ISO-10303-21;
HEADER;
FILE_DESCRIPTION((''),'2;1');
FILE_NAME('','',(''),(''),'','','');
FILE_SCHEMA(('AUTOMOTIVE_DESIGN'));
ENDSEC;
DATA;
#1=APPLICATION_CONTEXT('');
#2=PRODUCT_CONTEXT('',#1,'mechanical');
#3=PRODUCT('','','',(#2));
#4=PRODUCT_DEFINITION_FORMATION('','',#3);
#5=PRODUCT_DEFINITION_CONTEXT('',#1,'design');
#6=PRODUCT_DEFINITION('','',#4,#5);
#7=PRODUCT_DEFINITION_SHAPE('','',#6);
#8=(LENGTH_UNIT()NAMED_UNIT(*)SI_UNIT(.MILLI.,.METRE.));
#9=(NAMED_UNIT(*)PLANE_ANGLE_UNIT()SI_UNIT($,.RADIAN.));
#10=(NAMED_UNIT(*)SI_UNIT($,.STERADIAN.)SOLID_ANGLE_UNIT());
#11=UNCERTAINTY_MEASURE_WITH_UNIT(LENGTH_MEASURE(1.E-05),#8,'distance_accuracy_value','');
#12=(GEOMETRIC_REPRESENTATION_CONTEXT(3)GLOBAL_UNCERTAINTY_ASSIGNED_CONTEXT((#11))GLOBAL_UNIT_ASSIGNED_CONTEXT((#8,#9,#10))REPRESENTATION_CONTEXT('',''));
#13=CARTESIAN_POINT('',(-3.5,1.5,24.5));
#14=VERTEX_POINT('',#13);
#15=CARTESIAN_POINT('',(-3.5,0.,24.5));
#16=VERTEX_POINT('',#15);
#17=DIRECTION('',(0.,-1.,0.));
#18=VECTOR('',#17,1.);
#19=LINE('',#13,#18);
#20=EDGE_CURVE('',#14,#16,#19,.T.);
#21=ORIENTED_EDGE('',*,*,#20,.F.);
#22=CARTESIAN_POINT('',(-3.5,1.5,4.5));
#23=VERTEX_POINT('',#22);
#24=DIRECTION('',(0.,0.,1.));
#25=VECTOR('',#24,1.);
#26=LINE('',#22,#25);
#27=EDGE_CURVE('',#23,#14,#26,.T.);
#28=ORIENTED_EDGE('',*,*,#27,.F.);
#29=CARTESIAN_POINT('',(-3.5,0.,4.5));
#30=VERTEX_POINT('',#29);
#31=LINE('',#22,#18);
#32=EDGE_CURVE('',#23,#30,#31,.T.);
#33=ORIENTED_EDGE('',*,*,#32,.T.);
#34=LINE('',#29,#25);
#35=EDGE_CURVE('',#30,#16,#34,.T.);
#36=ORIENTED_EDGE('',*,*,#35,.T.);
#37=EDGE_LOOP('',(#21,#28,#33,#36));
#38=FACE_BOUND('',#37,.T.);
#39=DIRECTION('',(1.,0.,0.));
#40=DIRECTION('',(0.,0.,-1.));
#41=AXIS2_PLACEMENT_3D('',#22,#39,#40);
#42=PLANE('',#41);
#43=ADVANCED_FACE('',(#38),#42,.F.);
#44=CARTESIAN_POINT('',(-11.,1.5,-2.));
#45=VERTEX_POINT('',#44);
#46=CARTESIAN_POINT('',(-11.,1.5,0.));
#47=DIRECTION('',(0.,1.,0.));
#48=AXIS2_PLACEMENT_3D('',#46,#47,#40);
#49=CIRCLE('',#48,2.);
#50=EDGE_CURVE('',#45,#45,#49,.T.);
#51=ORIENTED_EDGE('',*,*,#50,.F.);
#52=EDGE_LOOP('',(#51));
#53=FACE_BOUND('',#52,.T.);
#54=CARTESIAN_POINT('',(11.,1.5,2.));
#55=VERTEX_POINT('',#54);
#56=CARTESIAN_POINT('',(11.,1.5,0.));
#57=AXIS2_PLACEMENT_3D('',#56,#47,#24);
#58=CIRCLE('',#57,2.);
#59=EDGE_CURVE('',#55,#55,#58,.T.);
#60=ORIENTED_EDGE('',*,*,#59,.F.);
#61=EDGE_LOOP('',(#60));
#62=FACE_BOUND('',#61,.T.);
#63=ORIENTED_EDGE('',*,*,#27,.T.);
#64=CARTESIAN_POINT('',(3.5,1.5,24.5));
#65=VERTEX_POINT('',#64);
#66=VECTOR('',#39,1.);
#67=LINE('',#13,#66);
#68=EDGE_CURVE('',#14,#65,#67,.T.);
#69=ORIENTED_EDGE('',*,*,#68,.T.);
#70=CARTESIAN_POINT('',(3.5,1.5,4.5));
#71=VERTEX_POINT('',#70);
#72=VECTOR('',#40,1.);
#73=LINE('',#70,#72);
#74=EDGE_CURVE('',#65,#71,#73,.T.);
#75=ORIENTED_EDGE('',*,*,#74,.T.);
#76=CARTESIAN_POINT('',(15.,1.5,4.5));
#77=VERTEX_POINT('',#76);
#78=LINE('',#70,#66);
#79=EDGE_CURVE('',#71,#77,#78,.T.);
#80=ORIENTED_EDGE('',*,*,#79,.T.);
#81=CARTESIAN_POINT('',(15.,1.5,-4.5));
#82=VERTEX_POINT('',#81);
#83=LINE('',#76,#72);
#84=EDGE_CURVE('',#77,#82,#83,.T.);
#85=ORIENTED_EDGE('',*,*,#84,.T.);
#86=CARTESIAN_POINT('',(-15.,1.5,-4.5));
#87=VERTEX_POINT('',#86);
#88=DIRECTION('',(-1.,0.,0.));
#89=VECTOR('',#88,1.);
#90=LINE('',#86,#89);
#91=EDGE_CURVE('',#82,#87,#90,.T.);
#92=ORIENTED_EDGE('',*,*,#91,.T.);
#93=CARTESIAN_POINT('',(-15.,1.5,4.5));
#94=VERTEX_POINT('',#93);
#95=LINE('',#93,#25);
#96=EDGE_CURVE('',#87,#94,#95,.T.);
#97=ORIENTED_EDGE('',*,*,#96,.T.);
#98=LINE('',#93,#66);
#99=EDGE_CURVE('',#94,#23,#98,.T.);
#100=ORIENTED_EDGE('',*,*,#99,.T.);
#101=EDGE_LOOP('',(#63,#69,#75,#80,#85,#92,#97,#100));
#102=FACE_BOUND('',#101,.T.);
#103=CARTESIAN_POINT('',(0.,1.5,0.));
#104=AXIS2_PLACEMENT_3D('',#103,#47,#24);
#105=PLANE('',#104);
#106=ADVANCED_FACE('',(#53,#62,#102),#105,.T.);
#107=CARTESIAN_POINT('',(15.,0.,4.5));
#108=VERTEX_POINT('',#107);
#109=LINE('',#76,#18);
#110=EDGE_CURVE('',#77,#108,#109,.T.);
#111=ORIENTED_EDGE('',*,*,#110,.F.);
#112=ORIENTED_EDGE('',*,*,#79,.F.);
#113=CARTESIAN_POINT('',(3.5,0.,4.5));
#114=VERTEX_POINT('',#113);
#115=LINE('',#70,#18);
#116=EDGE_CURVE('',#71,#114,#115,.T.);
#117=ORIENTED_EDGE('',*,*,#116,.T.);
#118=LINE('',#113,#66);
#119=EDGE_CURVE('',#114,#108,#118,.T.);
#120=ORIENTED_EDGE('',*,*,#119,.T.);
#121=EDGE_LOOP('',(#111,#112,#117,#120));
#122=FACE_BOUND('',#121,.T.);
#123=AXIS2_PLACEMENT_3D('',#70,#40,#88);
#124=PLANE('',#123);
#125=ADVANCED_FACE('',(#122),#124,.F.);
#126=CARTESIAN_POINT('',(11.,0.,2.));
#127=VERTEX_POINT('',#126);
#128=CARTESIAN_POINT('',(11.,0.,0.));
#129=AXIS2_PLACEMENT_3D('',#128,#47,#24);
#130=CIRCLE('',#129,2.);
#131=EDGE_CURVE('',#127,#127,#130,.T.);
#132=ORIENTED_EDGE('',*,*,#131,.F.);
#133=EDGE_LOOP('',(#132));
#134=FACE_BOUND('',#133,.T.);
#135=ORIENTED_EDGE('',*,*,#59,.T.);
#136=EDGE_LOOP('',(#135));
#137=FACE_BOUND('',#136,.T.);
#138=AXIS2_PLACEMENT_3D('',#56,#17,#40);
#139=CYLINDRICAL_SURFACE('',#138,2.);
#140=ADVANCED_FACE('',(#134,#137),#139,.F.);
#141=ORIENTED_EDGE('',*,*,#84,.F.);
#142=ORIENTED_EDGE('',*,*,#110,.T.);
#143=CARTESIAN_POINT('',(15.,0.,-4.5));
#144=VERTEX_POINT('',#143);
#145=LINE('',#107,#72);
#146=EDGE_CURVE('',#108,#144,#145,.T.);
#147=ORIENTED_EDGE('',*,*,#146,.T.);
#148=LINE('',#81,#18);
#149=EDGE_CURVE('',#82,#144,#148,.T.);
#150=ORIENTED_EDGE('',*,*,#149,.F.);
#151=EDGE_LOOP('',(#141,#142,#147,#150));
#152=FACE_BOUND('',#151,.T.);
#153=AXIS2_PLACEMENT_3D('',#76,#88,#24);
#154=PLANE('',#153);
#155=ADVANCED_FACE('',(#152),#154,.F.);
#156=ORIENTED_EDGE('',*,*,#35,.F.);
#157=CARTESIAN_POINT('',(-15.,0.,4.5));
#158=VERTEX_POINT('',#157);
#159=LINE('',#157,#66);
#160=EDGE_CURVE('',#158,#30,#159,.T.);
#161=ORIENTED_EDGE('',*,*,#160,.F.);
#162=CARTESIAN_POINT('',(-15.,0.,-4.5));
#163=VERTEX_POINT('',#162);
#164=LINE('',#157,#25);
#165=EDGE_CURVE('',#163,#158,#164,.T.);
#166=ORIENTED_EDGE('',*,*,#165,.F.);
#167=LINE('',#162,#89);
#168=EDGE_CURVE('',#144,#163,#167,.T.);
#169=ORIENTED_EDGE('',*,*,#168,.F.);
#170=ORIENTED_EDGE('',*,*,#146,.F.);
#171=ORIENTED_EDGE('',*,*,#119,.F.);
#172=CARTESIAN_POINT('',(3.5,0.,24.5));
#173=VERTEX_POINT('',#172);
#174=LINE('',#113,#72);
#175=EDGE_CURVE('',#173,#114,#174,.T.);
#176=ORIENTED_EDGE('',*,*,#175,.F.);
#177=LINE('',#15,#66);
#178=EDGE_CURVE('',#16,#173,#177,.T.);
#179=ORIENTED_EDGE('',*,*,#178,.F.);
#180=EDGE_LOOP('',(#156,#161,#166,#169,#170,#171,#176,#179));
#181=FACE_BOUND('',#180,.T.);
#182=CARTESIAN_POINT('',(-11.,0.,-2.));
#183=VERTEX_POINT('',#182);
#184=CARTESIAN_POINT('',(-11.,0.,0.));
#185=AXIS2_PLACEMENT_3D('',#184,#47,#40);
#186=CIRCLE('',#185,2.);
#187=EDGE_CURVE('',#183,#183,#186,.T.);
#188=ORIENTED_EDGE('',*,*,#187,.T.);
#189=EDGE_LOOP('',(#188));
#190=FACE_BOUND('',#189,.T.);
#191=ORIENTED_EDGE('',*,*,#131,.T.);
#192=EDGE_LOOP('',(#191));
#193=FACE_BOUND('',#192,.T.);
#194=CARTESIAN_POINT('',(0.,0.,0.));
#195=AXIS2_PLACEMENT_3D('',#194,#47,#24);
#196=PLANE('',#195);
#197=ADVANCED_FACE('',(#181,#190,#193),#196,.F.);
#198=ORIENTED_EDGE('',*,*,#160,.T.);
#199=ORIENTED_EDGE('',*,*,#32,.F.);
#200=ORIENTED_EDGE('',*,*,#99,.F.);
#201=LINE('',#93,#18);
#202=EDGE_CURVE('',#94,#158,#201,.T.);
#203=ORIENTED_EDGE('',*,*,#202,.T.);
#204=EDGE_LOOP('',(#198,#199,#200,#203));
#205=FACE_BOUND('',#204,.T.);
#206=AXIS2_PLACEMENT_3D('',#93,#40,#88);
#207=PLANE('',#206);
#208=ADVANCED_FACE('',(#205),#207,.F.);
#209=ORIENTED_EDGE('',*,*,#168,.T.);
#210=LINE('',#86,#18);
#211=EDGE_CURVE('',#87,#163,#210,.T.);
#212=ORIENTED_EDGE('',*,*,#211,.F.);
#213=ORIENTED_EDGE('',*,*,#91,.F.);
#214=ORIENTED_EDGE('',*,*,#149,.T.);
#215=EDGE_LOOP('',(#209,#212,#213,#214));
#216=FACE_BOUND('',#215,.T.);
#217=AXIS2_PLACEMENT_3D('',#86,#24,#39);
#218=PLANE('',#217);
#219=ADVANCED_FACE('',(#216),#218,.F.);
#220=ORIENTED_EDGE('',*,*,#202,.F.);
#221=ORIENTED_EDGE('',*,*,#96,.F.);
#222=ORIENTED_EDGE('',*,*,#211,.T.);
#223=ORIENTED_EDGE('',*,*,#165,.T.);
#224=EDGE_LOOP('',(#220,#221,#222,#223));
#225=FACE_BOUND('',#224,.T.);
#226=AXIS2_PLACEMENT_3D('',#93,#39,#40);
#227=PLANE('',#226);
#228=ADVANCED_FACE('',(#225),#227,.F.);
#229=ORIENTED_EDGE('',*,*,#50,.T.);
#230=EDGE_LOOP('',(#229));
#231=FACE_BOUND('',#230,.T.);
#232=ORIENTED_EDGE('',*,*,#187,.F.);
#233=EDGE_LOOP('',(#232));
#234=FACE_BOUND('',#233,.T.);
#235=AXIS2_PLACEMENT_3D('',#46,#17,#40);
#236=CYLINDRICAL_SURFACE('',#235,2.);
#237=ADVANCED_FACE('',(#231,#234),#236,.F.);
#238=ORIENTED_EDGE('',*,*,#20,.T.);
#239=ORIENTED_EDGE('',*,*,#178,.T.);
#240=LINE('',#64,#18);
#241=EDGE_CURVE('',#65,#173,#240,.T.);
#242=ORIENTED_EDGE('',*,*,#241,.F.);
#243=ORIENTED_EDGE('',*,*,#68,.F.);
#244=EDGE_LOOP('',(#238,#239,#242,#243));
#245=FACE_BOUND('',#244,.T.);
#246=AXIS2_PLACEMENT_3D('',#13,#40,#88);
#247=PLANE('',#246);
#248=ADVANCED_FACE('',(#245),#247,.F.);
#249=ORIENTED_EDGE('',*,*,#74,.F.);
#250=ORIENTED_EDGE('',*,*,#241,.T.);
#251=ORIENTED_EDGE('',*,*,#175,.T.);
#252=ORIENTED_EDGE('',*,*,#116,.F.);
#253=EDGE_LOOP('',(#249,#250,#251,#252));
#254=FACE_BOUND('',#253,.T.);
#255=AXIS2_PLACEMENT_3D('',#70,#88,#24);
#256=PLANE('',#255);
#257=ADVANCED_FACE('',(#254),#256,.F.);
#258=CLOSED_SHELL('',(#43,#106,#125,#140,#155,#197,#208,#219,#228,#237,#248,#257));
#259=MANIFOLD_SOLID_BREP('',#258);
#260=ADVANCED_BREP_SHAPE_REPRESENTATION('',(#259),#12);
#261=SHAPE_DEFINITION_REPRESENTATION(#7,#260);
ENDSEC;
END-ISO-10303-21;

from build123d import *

# Parameters (mm, degrees)
ESBO_O1_R                = 2
RESSALTO_EXTRUS_O1_DEPTH = 1.5


with BuildPart() as part:
    # Esboço1 → Ressalto-extrusão1 (new body)
    with BuildSketch(Plane(origin=(0, 0, 0), x_dir=(1, 0, 0), z_dir=(0, 1, 0))):
        Polygon((-15, -4.5), (-15, 4.5), (15, 4.5), (15, -4.5), (3.5, -4.5), (3.5, -24.5), (-3.5, -24.5), (-3.5, -4.5), align=None)
        with Locations(Location((11, 0, 0), (0, 0, 270))):
            Circle(ESBO_O1_R, mode=Mode.SUBTRACT)
        with Locations(Location((-11, 0, 0), (0, 0, 90))):
            Circle(ESBO_O1_R, mode=Mode.SUBTRACT)
    extrude(amount=RESSALTO_EXTRUS_O1_DEPTH)


solid = part.part
